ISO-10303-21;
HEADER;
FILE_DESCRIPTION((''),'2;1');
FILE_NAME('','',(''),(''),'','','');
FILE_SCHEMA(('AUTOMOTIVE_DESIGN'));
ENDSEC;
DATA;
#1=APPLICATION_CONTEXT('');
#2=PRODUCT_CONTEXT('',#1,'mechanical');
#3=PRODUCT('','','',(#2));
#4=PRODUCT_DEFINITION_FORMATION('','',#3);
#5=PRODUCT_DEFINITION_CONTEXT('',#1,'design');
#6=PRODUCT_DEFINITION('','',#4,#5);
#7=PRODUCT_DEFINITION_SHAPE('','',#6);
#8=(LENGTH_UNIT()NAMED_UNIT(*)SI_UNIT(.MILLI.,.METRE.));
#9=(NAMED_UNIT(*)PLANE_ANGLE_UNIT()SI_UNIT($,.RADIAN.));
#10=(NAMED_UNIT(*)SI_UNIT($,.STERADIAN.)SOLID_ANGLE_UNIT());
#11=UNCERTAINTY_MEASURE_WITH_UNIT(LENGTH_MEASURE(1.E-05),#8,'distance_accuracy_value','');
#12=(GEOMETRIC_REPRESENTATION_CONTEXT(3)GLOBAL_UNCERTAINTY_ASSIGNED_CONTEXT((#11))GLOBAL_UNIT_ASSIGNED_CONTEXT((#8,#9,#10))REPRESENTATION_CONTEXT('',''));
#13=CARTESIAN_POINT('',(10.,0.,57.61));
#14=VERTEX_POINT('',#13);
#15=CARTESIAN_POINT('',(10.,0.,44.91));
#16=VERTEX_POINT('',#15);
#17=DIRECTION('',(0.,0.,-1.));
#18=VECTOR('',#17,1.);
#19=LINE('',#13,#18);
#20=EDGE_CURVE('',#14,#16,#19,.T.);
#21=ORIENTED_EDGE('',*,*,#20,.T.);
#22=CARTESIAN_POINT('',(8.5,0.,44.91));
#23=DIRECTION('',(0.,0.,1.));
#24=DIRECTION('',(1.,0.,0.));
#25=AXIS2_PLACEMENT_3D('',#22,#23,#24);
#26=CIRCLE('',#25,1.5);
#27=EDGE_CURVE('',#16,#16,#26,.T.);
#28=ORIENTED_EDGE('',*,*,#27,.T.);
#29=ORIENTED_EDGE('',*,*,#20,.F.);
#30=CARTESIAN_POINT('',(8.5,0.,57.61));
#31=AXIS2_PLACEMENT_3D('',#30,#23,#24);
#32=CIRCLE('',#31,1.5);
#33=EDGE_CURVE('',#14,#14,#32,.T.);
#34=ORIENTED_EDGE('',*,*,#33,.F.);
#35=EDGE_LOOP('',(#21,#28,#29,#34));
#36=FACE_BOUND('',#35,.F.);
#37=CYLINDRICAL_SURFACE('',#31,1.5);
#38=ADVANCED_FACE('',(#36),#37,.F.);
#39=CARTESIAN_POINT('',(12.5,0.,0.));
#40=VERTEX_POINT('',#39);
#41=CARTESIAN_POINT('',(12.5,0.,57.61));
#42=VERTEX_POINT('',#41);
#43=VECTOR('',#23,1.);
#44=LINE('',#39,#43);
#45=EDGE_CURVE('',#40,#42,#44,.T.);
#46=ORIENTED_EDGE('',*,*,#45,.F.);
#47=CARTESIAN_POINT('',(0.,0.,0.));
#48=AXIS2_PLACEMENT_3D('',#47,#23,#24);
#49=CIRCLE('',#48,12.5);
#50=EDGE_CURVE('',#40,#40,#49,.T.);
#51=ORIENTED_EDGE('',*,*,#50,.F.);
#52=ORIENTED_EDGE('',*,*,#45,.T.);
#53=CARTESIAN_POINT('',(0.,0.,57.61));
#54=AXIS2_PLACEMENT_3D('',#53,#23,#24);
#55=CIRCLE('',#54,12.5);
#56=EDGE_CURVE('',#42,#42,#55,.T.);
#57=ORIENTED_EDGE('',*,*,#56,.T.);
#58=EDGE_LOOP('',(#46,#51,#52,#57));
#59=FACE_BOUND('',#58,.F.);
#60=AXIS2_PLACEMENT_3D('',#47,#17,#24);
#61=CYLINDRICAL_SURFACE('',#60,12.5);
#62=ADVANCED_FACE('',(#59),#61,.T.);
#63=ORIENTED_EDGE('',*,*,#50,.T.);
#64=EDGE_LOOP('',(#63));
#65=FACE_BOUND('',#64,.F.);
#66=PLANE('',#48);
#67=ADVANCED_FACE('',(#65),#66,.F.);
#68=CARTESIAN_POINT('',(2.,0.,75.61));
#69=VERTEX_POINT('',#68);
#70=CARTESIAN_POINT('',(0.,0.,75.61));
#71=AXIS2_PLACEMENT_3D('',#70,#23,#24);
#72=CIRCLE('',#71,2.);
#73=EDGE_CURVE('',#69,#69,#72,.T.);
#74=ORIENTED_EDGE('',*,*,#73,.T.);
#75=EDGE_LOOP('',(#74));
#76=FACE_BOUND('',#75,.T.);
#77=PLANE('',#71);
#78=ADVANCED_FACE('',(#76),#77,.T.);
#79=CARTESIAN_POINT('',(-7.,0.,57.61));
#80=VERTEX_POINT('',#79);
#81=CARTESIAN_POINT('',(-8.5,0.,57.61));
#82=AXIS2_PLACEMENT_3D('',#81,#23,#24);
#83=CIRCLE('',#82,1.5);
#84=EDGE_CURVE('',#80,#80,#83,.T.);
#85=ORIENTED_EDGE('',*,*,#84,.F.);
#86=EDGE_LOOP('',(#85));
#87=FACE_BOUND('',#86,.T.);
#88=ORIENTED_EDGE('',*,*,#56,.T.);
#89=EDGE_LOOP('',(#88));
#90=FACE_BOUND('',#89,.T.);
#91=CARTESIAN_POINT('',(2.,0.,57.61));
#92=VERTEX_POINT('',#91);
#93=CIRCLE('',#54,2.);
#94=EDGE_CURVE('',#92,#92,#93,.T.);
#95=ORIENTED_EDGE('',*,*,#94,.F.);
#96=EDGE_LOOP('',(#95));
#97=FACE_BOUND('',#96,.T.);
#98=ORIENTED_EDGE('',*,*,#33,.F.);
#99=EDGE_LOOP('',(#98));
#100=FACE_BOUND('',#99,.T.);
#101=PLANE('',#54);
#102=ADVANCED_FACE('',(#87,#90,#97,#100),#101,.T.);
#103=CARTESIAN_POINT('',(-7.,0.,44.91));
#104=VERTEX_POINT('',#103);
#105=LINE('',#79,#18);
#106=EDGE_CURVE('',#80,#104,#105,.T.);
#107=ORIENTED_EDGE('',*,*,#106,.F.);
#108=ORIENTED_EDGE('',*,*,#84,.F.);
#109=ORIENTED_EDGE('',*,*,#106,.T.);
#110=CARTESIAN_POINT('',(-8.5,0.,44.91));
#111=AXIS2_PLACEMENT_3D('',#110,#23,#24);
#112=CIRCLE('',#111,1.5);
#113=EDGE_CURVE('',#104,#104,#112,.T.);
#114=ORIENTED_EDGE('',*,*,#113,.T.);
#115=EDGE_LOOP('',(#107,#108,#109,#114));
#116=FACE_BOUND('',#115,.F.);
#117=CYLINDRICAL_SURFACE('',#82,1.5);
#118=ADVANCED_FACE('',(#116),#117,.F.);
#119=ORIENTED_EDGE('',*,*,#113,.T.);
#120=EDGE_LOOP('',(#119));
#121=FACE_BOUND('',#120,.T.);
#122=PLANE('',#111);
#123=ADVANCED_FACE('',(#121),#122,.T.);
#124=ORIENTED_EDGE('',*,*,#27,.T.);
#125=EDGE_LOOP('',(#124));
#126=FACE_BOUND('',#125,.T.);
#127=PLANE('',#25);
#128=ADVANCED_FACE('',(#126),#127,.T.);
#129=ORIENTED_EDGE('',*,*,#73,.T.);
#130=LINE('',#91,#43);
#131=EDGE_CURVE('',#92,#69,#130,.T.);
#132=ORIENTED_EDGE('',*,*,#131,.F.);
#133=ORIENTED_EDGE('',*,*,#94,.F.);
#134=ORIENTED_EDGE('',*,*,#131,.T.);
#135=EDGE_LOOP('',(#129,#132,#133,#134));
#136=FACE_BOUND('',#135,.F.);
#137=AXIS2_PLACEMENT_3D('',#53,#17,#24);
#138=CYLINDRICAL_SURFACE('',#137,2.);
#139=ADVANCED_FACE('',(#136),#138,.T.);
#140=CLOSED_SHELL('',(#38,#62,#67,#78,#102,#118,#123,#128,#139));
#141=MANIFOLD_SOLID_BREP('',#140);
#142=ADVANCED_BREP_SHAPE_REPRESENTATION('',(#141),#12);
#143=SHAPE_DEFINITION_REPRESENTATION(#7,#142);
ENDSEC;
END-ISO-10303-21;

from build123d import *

# Parameters (mm, degrees)
F0_R     = 12.5
F1_DEPTH = 57.61
F2_R     = 2
F3_DEPTH = 18
F4_R     = 1.5
F5_DEPTH = 12.7


with BuildPart() as f1:
    # F0 (on Top) → F1 (new body)
    with BuildSketch(Plane.XY):
        Circle(F0_R)
    extrude(amount=F1_DEPTH)

    # F2 (on face) → F3 (join)
    with BuildSketch(Plane.XY.offset(57.61)):
        Circle(F2_R)
    extrude(amount=F3_DEPTH)

    # F4 (on face) → F5 (cut)
    with BuildSketch(Plane.XY.offset(57.61)):
        with Locations((-8.5, 0)):
            Circle(F4_R)
        with Locations((8.5, 0)):
            Circle(F4_R)
    extrude(amount=-F5_DEPTH, mode=Mode.SUBTRACT)


solid = f1.part
